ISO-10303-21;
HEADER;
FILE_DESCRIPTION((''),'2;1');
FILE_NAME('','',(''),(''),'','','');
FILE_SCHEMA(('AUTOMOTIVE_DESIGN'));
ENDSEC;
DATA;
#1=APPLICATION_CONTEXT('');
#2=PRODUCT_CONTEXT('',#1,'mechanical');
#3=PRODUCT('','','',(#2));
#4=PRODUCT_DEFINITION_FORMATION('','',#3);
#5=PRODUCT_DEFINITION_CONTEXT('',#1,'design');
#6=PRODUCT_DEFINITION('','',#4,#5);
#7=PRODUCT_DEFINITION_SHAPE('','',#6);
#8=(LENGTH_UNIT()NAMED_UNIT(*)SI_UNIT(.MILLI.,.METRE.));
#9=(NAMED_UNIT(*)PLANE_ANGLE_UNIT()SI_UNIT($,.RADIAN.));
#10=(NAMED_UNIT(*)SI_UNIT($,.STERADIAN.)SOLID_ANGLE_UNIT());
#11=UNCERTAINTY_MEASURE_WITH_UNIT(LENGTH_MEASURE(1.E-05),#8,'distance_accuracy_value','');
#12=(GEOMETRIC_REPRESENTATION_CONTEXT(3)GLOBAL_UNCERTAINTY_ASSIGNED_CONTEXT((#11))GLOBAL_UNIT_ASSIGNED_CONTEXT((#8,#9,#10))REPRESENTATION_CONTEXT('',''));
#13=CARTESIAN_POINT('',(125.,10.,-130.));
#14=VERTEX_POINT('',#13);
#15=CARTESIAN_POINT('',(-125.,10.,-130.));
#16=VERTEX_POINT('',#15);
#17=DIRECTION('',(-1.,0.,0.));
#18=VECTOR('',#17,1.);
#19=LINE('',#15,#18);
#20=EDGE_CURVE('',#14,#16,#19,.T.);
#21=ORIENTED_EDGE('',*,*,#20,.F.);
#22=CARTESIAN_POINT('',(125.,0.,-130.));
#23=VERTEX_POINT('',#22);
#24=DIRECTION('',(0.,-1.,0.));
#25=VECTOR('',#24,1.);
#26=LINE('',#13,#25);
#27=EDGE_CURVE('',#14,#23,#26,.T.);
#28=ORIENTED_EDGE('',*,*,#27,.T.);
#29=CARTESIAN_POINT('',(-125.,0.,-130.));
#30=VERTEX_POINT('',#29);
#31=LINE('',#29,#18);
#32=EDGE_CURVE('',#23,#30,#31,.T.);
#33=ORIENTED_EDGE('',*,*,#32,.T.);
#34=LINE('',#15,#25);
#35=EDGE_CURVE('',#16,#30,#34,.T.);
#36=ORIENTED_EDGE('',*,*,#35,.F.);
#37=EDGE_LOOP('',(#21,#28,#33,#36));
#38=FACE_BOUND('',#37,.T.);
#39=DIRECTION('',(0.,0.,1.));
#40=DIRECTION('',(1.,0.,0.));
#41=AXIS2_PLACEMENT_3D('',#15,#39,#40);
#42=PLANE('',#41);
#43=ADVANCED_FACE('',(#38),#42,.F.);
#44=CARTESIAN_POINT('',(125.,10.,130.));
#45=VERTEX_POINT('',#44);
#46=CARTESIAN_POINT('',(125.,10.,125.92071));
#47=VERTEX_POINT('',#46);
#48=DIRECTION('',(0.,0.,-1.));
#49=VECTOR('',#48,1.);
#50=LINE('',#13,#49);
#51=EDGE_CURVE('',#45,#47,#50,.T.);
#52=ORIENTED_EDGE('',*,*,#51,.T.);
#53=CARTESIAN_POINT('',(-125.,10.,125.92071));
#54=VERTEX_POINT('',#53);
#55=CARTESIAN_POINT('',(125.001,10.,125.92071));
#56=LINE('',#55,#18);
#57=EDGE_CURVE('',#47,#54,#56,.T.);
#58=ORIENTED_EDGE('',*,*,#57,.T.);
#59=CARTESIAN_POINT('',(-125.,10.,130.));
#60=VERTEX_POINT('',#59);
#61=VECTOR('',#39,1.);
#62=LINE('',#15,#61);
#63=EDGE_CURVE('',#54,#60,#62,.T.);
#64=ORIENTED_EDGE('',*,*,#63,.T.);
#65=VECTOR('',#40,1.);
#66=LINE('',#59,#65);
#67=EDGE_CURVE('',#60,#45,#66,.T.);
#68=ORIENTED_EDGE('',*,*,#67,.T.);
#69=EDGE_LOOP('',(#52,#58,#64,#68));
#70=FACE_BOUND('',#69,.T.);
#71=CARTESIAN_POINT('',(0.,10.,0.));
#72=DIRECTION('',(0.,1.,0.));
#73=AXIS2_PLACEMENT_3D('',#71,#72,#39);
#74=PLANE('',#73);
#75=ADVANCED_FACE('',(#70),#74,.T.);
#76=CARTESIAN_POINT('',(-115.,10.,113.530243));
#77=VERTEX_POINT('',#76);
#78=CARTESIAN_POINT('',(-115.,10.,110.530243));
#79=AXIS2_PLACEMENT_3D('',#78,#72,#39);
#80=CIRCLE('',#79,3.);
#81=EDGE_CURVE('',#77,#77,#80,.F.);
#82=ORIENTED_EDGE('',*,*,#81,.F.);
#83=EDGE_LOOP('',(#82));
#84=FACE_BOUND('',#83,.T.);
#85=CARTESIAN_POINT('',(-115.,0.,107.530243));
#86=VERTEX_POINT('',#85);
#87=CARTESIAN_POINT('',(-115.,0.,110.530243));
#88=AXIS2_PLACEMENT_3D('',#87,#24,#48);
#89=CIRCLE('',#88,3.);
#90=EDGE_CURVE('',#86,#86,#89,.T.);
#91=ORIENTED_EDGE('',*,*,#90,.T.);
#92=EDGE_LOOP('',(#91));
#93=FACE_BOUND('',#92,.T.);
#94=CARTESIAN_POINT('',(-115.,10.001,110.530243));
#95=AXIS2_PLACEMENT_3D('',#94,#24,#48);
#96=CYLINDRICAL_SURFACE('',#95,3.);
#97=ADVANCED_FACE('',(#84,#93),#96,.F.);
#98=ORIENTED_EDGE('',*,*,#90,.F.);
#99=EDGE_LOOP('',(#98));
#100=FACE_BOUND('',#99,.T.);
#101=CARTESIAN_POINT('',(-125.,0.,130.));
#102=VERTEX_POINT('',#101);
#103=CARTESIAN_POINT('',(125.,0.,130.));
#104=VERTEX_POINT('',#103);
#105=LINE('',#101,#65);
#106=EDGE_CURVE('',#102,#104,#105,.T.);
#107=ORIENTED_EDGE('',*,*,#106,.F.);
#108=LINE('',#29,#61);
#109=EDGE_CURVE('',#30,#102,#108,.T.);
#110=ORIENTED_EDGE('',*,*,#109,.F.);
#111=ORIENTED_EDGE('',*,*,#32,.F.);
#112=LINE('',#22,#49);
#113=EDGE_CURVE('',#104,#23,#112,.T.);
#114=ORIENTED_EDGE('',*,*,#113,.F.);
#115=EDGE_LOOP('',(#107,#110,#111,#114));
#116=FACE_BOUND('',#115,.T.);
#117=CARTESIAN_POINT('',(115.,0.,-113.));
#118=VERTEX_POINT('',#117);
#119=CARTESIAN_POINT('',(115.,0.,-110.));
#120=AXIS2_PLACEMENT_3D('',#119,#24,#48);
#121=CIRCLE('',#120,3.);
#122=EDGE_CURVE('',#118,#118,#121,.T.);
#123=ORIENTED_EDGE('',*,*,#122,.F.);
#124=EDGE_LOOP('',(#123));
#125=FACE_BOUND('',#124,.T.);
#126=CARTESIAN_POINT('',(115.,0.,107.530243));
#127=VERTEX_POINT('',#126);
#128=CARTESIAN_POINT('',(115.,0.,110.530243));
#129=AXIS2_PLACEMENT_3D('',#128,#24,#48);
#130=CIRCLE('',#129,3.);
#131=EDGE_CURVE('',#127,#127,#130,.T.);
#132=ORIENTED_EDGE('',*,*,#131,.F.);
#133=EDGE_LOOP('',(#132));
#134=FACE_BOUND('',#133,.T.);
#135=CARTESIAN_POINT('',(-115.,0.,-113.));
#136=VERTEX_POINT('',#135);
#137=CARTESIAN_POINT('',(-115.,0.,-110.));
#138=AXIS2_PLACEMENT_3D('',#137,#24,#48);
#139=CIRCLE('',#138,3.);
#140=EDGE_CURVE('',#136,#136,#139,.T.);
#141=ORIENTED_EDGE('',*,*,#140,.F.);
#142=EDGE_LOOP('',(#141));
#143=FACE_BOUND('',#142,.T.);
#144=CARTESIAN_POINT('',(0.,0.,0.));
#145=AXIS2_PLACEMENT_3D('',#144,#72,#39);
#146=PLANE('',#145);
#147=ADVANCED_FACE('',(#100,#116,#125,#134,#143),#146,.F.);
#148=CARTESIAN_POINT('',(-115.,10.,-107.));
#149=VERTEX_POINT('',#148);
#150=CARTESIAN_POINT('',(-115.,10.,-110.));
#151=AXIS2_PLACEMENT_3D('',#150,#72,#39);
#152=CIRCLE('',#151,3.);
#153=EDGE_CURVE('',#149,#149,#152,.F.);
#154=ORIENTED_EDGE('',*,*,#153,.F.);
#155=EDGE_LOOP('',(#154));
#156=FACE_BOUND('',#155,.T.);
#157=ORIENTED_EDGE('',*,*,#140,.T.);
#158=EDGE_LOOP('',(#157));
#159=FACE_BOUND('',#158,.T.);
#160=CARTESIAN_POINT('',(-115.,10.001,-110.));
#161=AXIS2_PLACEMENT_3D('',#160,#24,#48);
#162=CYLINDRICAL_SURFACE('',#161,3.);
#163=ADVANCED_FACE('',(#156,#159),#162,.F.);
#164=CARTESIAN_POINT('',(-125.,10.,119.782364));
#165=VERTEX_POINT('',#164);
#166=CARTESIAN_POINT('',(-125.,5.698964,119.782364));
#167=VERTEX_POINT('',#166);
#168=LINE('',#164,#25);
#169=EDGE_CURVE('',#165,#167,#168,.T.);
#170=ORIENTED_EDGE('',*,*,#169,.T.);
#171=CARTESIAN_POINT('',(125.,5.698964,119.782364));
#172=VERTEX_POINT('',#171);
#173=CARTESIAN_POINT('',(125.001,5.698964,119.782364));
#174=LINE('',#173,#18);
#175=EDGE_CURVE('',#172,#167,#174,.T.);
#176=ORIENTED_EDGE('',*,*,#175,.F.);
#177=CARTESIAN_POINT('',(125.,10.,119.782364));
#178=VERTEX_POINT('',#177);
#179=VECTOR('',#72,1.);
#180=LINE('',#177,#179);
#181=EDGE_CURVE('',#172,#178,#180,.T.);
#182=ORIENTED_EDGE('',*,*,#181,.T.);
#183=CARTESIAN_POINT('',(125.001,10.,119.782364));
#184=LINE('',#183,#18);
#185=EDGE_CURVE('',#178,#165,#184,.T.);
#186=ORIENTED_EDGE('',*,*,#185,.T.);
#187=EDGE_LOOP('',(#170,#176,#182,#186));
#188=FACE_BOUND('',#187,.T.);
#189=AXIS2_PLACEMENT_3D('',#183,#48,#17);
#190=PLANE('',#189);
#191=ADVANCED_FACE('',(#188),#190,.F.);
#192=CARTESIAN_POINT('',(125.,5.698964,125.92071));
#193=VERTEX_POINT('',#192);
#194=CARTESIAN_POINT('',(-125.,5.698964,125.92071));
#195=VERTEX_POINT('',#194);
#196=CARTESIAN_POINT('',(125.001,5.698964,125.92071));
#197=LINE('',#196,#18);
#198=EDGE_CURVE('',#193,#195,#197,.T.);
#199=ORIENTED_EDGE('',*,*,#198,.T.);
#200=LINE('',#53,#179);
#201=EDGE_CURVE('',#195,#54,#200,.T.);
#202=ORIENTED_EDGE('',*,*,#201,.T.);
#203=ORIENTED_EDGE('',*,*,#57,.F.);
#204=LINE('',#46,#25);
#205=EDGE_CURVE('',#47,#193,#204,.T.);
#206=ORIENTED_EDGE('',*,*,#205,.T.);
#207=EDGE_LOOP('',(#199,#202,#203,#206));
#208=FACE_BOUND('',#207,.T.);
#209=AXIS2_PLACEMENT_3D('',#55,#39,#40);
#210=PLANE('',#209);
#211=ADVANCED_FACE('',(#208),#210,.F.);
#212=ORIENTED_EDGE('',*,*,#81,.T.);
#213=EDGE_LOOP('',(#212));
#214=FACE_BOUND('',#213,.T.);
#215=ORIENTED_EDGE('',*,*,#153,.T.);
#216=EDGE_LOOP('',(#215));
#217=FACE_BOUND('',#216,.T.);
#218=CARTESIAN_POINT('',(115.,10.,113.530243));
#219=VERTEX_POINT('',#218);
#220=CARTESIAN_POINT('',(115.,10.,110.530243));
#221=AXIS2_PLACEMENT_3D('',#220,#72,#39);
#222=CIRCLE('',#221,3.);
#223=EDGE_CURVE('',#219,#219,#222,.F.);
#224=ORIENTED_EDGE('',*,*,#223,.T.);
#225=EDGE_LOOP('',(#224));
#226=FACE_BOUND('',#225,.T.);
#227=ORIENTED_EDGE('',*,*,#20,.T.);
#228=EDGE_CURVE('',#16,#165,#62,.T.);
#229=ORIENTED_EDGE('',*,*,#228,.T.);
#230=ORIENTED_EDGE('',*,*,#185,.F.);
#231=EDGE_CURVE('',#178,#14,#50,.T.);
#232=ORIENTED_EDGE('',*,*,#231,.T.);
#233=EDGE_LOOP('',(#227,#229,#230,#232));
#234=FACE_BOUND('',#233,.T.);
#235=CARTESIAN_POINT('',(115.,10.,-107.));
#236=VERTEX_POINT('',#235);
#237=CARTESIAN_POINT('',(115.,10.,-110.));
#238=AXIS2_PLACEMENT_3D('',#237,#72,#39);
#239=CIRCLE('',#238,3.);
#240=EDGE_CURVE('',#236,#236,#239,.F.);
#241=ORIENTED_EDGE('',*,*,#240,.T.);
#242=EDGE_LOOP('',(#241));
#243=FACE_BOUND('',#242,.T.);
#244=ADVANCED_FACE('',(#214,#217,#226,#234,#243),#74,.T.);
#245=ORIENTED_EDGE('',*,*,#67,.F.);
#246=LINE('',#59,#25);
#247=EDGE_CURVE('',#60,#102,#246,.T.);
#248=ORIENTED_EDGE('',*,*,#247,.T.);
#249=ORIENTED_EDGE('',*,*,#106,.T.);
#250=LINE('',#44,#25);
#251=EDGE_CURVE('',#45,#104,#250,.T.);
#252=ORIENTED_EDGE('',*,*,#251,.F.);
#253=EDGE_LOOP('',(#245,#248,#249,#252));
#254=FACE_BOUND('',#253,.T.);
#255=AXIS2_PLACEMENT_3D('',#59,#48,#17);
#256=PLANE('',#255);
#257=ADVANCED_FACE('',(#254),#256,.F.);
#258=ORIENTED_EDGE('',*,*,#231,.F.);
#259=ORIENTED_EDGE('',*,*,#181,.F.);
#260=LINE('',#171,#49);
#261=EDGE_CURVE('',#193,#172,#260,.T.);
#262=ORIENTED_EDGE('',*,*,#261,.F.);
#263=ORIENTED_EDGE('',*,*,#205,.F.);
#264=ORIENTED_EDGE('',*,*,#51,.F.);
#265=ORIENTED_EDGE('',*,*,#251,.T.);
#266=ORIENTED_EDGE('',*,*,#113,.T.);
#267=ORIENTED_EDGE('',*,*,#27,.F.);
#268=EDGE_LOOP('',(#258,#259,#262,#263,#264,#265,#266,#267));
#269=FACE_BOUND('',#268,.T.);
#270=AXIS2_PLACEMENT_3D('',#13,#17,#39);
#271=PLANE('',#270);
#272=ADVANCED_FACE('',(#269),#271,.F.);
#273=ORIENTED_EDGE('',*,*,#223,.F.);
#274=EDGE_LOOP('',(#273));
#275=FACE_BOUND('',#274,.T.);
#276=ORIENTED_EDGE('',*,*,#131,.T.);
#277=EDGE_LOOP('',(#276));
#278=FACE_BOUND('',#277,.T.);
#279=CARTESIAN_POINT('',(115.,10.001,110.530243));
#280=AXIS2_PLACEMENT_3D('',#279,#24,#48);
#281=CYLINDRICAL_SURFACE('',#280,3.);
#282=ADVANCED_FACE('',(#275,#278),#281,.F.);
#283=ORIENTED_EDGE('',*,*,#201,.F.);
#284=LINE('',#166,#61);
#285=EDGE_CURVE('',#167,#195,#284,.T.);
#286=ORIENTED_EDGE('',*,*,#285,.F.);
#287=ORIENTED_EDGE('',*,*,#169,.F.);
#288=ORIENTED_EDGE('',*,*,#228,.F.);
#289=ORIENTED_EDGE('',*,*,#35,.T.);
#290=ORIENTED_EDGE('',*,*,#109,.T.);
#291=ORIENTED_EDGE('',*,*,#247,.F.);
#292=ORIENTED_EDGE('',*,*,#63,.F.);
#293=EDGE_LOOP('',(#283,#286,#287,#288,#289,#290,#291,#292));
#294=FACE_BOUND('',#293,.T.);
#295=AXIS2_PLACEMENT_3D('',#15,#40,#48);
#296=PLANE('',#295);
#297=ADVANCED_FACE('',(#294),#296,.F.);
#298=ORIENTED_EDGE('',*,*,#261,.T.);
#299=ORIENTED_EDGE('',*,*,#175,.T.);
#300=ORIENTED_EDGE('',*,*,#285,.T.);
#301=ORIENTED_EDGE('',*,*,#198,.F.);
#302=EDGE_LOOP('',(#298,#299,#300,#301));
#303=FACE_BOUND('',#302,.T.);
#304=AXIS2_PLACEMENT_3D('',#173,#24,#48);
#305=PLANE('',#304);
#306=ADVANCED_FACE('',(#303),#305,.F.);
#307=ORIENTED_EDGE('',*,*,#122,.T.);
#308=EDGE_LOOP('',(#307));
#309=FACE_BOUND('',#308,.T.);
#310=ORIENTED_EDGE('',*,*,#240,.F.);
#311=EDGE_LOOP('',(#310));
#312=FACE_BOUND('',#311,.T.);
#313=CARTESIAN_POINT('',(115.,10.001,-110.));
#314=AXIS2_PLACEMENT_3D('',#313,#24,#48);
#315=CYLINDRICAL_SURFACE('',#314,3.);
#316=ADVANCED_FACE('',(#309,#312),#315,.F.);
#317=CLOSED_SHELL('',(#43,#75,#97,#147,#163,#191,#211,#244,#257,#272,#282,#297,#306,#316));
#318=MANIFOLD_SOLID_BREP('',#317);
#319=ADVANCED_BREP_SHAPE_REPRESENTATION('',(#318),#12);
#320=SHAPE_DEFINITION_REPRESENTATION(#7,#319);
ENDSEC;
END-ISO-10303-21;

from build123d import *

# Parameters (mm, degrees)
CROQUIS1_W              = 250
CROQUIS1_H              = 260
SALIENTE_EXTRUIR1_DEPTH = 10
CORTAR_EXTRUIR1_REACH   = 252
CROQUIS4_W              = 6.138345694
CROQUIS4_H              = 4.301035896
CORTAR_EXTRUIR2_REACH   = 12
CROQUIS5_R              = 3


with BuildPart() as part:
    # Croquis1 → Saliente-Extruir1 (new body)
    with BuildSketch(Plane(origin=(0, 0, 0), x_dir=(1, 0, 0), z_dir=(0, 1, 0))):
        Rectangle(CROQUIS1_W, CROQUIS1_H)
    extrude(amount=SALIENTE_EXTRUIR1_DEPTH)

    # Croquis4 → Cortar-Extruir1 (cut, up to next)
    with BuildSketch(Plane.ZY.offset(125), mode=Mode.PRIVATE) as cortar_extruir1_sk1:
        with Locations((122.851537289, 7.849482052)):
            Rectangle(CROQUIS4_W, CROQUIS4_H)
    cortar_extruir1_tool1 = extrude(cortar_extruir1_sk1.sketch, amount=-CORTAR_EXTRUIR1_REACH, mode=Mode.PRIVATE) & part.part
    add(cortar_extruir1_tool1.solids().sort_by_distance((-125, 7.849482, 122.851537))[0], mode=Mode.SUBTRACT)

    # Croquis5 → Cortar-Extruir2 (cut, up to next)
    with BuildSketch(Plane.XZ, mode=Mode.PRIVATE) as cortar_extruir2_sk1:
        with Locations((-115, 110.530243228)):
            Circle(CROQUIS5_R)
    cortar_extruir2_tool1 = extrude(cortar_extruir2_sk1.sketch, amount=-CORTAR_EXTRUIR2_REACH, mode=Mode.PRIVATE) & part.part
    add(cortar_extruir2_tool1.solids().sort_by_distance((-115, 0, 110.530243))[0], mode=Mode.SUBTRACT)
    # Croquis5 → Cortar-Extruir2 (cut, up to next)
    with BuildSketch(Plane.XZ, mode=Mode.PRIVATE) as cortar_extruir2_sk2:
        with Locations((115, 110.530243228)):
            Circle(CROQUIS5_R)
    cortar_extruir2_tool2 = extrude(cortar_extruir2_sk2.sketch, amount=-CORTAR_EXTRUIR2_REACH, mode=Mode.PRIVATE) & part.part
    add(cortar_extruir2_tool2.solids().sort_by_distance((115, 0, 110.530243))[0], mode=Mode.SUBTRACT)
    # Croquis5 → Cortar-Extruir2 (cut, up to next)
    with BuildSketch(Plane.XZ, mode=Mode.PRIVATE) as cortar_extruir2_sk3:
        with Locations((-115, -110)):
            Circle(CROQUIS5_R)
    cortar_extruir2_tool3 = extrude(cortar_extruir2_sk3.sketch, amount=-CORTAR_EXTRUIR2_REACH, mode=Mode.PRIVATE) & part.part
    add(cortar_extruir2_tool3.solids().sort_by_distance((-115, 0, -110))[0], mode=Mode.SUBTRACT)
    # Croquis5 → Cortar-Extruir2 (cut, up to next)
    with BuildSketch(Plane.XZ, mode=Mode.PRIVATE) as cortar_extruir2_sk4:
        with Locations((115, -110)):
            Circle(CROQUIS5_R)
    cortar_extruir2_tool4 = extrude(cortar_extruir2_sk4.sketch, amount=-CORTAR_EXTRUIR2_REACH, mode=Mode.PRIVATE) & part.part
    add(cortar_extruir2_tool4.solids().sort_by_distance((115, 0, -110))[0], mode=Mode.SUBTRACT)


solid = part.part
